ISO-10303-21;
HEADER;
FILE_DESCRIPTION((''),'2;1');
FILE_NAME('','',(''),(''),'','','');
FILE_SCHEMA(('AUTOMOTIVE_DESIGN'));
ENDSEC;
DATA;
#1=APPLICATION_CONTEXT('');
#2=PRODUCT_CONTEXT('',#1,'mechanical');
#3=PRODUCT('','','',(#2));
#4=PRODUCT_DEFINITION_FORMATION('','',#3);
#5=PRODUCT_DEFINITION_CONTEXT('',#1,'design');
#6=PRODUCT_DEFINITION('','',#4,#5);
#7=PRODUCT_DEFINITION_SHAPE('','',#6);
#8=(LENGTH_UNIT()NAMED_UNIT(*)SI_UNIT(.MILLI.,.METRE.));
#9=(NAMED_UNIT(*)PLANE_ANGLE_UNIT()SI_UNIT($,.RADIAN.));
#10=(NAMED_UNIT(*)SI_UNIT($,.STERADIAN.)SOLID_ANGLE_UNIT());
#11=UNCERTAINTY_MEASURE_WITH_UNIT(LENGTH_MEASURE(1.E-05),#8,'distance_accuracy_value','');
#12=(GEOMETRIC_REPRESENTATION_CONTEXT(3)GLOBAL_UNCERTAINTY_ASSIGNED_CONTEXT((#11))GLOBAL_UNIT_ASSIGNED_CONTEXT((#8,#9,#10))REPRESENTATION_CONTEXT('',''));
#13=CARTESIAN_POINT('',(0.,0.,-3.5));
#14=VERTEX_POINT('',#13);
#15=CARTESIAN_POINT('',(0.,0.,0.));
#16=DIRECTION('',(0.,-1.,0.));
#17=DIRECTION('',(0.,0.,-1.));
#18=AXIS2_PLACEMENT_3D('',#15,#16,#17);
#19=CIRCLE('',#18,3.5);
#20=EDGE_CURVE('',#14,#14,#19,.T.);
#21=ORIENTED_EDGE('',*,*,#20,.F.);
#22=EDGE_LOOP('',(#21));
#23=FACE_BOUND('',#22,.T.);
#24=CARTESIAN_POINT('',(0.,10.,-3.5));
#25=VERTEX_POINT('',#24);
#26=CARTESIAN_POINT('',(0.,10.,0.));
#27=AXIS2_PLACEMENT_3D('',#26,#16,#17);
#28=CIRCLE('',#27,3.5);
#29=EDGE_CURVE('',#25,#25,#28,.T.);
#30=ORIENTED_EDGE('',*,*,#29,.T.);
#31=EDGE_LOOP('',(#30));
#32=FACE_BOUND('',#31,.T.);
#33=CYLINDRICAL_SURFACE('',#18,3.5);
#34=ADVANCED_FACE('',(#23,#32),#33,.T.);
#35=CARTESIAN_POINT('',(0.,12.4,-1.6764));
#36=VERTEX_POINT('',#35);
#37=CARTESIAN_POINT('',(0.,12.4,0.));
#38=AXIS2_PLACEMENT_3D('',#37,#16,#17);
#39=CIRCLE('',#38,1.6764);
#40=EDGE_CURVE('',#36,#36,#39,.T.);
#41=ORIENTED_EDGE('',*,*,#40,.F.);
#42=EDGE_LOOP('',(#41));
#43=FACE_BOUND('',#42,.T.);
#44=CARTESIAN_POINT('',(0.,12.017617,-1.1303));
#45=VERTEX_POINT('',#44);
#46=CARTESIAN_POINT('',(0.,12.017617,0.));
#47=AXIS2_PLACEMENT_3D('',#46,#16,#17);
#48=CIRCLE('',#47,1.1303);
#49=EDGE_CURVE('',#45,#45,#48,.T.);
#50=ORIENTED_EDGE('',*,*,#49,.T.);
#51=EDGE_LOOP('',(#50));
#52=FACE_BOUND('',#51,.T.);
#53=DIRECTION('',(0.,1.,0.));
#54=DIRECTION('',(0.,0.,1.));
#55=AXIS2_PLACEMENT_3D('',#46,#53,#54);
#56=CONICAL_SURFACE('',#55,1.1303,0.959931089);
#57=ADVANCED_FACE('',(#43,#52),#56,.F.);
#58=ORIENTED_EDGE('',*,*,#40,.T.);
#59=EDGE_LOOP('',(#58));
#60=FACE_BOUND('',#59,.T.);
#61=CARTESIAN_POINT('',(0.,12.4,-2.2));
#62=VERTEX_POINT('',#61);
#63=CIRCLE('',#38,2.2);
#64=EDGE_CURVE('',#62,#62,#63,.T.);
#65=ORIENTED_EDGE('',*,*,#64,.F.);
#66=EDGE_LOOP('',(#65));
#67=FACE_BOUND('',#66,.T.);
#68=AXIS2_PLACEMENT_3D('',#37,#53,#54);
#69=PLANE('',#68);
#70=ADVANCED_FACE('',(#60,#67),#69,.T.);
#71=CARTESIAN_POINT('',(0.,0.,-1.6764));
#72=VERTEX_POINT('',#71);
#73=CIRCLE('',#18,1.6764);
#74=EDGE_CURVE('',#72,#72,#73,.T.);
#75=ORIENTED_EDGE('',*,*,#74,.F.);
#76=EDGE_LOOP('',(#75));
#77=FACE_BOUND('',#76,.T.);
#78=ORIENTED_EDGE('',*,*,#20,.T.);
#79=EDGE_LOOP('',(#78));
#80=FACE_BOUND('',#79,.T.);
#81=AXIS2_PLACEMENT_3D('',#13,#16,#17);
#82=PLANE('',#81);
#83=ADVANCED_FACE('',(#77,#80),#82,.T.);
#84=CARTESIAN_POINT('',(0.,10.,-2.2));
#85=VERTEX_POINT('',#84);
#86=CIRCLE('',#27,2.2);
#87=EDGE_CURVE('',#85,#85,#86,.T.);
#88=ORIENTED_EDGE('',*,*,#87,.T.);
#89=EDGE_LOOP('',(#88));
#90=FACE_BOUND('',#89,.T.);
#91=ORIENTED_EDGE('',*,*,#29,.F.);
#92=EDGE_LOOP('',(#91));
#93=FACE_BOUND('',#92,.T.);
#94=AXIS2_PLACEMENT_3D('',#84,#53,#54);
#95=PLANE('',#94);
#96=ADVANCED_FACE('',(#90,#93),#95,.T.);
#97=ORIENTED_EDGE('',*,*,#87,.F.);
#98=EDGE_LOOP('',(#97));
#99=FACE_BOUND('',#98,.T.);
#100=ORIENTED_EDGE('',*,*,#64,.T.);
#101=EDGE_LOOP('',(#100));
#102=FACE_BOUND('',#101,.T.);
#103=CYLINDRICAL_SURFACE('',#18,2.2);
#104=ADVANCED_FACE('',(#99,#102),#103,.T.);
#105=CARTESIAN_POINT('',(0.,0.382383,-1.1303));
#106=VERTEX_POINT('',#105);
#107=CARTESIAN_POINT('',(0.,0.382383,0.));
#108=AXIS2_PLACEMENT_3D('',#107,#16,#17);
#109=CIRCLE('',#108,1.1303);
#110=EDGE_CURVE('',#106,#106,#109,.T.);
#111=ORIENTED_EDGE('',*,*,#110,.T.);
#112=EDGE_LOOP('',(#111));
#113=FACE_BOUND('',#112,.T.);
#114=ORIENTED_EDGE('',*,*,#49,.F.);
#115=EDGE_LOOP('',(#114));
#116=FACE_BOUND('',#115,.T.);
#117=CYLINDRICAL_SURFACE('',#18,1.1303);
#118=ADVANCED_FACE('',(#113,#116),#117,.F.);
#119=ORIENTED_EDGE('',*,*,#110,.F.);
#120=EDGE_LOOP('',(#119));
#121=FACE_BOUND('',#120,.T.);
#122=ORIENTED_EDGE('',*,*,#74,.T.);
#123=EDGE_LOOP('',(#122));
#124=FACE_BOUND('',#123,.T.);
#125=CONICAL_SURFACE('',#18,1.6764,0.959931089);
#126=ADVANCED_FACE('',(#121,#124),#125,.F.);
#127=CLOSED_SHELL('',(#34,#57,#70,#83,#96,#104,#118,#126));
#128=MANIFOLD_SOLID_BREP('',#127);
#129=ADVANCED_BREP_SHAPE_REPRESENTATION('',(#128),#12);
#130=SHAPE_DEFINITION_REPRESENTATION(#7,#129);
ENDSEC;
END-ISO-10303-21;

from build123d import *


with BuildPart() as part:
    # Эскиз1 → Повернуть1 (revolve)
    with BuildSketch(Plane(origin=(0, 0, 0), x_dir=(0, 0, -1), z_dir=(1, 0, 0))):
        Polygon((0, 0), (0, 12.4), (2.2, 12.4), (2.2, 10), (3.5, 10), (3.5, 0), align=None)
    revolve(axis=Axis((0, 0, 0), (0, 1, 0)))

    # Эскиз2 → Отверстие обработанное метчиком #4-401 (revolve, cut)
    with BuildSketch(Plane(origin=(0, 0, 0), x_dir=(0, 0, -1), z_dir=(1, 0, 0))):
        Polygon((0, 0), (0, 12.4), (1.6764, 12.4), (1.1303, 12.017616663), (1.1303, 0.382383337), (1.6764, 0), align=None)
    revolve(axis=Axis((0, -6.35, 0), (0, 1, 0)), mode=Mode.SUBTRACT)


solid = part.part
